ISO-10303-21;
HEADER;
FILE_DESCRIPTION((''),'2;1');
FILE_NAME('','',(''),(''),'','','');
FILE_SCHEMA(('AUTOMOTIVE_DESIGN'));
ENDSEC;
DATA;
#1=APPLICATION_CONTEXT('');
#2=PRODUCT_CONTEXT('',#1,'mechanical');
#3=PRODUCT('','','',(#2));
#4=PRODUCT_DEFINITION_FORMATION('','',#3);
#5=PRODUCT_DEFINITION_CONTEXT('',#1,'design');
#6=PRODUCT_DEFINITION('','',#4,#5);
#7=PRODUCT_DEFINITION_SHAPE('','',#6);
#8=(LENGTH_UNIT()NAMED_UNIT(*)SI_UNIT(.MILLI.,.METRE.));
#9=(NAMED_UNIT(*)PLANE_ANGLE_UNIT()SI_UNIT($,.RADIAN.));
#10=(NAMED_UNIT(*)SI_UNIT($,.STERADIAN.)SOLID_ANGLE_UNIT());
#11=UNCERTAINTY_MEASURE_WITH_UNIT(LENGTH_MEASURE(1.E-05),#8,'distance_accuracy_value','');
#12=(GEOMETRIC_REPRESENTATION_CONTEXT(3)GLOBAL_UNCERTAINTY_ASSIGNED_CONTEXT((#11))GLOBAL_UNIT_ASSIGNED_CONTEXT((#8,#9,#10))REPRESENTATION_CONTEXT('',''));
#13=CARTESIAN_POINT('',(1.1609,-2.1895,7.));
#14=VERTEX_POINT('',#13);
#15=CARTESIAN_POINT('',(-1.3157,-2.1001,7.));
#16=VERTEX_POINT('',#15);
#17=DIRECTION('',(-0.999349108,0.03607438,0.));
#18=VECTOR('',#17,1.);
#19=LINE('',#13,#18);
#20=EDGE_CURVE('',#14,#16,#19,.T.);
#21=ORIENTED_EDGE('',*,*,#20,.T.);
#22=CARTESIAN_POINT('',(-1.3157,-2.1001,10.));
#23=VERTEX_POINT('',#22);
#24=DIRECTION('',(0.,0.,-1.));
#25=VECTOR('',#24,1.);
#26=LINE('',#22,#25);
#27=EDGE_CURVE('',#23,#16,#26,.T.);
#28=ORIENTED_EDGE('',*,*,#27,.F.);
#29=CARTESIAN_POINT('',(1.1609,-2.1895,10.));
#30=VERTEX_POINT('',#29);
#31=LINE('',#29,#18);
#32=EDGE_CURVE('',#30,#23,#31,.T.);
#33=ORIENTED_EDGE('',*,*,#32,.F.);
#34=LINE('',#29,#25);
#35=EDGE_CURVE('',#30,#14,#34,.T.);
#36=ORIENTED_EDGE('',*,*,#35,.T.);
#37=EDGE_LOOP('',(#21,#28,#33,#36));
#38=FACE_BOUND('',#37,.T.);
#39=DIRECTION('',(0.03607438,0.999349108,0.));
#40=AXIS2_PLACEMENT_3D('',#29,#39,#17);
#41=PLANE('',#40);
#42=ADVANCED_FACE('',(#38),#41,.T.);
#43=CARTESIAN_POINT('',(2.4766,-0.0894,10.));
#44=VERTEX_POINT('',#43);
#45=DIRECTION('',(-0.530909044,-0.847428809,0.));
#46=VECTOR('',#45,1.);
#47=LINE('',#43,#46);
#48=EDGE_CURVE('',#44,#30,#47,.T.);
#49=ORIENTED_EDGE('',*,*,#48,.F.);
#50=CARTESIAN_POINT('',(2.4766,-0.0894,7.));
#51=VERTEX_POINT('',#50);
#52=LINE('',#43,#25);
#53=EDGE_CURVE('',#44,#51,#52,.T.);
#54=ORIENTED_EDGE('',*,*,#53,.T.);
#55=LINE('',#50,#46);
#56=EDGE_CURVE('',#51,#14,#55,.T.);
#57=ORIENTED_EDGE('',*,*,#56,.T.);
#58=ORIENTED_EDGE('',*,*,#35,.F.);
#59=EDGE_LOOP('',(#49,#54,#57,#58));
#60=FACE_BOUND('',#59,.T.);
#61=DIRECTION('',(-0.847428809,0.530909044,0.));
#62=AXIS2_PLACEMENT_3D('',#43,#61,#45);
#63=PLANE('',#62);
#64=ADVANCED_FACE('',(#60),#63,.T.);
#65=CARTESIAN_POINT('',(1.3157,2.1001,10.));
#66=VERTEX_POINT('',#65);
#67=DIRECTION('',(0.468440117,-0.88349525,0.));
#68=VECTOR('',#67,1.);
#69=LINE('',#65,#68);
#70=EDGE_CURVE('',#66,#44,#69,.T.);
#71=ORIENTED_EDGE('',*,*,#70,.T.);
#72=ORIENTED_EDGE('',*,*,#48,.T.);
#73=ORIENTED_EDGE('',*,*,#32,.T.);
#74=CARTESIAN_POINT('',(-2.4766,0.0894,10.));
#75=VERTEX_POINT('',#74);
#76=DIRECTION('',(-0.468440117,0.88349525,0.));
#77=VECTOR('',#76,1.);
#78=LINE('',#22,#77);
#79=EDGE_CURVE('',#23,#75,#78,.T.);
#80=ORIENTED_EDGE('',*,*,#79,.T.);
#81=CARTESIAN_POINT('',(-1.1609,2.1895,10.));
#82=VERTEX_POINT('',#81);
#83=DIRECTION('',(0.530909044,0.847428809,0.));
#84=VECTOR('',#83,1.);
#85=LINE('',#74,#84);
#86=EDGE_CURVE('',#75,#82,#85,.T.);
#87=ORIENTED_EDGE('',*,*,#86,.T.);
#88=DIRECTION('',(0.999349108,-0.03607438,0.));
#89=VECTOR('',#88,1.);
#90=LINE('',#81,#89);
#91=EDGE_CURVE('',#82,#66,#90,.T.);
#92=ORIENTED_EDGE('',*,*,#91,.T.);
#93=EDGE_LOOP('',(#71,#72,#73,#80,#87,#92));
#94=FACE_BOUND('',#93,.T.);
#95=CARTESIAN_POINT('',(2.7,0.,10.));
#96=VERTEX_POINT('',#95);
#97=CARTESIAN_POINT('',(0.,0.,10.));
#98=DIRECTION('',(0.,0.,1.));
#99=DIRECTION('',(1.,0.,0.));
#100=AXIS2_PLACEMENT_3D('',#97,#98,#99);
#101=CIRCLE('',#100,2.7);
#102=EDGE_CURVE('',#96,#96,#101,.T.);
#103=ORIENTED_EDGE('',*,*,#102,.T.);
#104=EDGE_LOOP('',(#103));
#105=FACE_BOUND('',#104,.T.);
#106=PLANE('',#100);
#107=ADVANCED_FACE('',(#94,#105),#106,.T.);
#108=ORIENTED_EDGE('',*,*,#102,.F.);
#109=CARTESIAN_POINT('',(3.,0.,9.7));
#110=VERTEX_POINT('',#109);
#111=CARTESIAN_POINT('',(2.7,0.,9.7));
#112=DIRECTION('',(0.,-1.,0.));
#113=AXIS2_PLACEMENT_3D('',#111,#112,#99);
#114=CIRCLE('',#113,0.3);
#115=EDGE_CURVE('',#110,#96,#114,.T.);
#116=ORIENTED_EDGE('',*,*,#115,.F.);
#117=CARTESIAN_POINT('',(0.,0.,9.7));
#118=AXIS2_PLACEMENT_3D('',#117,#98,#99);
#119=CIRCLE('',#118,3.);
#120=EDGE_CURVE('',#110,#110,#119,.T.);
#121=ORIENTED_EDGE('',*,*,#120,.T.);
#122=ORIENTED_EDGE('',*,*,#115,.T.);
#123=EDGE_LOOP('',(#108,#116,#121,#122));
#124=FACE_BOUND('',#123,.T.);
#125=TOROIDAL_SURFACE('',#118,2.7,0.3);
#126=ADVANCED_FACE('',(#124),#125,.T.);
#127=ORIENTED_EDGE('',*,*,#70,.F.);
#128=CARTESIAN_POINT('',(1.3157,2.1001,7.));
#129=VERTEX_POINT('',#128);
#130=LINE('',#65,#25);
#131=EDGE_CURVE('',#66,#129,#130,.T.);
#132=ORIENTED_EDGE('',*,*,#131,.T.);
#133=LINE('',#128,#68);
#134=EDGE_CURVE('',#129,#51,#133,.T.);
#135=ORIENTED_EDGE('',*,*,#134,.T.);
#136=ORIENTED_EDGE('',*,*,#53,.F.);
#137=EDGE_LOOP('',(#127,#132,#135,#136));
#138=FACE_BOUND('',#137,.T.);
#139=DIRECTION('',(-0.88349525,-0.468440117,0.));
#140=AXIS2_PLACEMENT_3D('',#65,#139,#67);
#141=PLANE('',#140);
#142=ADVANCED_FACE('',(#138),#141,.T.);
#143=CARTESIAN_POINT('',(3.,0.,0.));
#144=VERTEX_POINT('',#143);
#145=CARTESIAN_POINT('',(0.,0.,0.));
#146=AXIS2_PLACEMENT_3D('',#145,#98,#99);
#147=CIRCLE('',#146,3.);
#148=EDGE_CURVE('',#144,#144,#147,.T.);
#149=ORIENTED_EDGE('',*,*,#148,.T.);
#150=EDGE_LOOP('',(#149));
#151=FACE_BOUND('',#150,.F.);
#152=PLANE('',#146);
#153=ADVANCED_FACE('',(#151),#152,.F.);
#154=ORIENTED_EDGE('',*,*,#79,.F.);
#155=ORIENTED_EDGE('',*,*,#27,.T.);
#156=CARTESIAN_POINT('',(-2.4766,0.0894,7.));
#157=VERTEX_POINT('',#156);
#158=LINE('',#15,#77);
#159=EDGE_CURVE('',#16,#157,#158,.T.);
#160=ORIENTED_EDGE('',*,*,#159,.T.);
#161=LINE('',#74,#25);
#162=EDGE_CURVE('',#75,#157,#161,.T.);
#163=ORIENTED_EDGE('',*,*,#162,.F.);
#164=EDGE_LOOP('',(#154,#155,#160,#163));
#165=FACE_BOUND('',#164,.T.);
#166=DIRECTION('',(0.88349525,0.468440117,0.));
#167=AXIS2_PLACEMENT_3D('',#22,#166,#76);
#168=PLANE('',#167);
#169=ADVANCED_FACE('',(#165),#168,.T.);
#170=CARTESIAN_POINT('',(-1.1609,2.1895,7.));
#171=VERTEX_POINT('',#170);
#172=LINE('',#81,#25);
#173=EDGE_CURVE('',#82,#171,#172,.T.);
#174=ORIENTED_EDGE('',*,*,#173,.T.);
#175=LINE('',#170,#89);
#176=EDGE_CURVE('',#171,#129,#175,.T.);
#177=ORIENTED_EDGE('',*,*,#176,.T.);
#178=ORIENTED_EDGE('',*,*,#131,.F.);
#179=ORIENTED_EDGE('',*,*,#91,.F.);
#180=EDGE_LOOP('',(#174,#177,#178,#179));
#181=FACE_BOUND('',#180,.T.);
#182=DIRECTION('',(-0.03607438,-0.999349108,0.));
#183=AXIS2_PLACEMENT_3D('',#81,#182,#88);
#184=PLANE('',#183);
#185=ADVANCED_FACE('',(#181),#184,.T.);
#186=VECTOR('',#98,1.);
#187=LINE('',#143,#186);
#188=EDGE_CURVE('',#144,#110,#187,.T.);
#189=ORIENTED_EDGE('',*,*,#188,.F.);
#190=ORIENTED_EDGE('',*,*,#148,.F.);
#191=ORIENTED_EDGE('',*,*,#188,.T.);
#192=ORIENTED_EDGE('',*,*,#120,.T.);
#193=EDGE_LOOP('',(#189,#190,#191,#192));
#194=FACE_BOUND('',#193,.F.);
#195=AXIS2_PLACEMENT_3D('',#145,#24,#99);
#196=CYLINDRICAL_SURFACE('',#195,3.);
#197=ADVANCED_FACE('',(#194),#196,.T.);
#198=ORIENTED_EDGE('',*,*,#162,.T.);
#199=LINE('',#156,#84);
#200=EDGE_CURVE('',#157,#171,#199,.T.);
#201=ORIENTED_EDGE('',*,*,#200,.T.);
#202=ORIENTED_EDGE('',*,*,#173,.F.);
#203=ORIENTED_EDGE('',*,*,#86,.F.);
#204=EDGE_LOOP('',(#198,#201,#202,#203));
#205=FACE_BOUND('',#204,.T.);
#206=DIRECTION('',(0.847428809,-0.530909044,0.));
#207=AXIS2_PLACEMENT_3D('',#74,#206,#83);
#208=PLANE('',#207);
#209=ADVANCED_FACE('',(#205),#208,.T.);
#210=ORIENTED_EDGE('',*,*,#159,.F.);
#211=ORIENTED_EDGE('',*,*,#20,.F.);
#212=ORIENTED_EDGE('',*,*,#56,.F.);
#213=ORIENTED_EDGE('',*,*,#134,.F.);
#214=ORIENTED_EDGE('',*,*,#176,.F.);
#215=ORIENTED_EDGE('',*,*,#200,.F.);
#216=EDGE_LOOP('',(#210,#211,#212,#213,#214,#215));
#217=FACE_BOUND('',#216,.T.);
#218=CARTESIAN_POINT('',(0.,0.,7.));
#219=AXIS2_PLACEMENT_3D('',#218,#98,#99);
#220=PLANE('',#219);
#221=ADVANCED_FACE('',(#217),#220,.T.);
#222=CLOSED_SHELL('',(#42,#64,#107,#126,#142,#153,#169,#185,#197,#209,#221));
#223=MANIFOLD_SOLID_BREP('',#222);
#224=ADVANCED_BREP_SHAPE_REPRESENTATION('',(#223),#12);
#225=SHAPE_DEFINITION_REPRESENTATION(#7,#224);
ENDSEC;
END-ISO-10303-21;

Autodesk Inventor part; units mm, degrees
ref_plane "YZ Plane" through (0, 0, 0) normal (1, 0, 0) x (0, 1, 0)
ref_plane "XZ Plane" through (0, 0, 0) normal (0, 1, 0) x (-1, 0, 0)
ref_plane "XY Plane" through (0, 0, 0) normal (0, 0, 1) x (1, 0, 0)
sketch "Sketch1" plane through (0, 0, 0) normal (0, 0, 1) x (1, 0, 0)
  circle A0 centre (0, 0) radius 3
  dimension "d0" = 6
extrude "Extrusion1" add sketch "Sketch1" along normal blind 10
sketch "Sketch2" plane through (0, 0, 10) normal (0, 0, 1) x (1, 0, 0)
  circle A0 centre (0, 0) radius 3 projected
  line L0 (1.3157, 2.1001) -> (2.4766, -0.0894)
  line L1 (2.4766, -0.0894) -> (1.1609, -2.1895)
  line L2 (1.1609, -2.1895) -> (-1.3157, -2.1001)
  line L3 (-1.3157, -2.1001) -> (-2.4766, 0.0894)
  line L4 (-2.4766, 0.0894) -> (-1.1609, 2.1895)
  line L5 (-1.1609, 2.1895) -> (1.3157, 2.1001)
extrude "Extrusion2" cut sketch "Sketch2" against normal blind 3 contours L0 L1 L2 L3 L4 L5
fillet "Fillet1" radius 0.3 1 edges at (-3, 0, 10)
properties part number "4"
